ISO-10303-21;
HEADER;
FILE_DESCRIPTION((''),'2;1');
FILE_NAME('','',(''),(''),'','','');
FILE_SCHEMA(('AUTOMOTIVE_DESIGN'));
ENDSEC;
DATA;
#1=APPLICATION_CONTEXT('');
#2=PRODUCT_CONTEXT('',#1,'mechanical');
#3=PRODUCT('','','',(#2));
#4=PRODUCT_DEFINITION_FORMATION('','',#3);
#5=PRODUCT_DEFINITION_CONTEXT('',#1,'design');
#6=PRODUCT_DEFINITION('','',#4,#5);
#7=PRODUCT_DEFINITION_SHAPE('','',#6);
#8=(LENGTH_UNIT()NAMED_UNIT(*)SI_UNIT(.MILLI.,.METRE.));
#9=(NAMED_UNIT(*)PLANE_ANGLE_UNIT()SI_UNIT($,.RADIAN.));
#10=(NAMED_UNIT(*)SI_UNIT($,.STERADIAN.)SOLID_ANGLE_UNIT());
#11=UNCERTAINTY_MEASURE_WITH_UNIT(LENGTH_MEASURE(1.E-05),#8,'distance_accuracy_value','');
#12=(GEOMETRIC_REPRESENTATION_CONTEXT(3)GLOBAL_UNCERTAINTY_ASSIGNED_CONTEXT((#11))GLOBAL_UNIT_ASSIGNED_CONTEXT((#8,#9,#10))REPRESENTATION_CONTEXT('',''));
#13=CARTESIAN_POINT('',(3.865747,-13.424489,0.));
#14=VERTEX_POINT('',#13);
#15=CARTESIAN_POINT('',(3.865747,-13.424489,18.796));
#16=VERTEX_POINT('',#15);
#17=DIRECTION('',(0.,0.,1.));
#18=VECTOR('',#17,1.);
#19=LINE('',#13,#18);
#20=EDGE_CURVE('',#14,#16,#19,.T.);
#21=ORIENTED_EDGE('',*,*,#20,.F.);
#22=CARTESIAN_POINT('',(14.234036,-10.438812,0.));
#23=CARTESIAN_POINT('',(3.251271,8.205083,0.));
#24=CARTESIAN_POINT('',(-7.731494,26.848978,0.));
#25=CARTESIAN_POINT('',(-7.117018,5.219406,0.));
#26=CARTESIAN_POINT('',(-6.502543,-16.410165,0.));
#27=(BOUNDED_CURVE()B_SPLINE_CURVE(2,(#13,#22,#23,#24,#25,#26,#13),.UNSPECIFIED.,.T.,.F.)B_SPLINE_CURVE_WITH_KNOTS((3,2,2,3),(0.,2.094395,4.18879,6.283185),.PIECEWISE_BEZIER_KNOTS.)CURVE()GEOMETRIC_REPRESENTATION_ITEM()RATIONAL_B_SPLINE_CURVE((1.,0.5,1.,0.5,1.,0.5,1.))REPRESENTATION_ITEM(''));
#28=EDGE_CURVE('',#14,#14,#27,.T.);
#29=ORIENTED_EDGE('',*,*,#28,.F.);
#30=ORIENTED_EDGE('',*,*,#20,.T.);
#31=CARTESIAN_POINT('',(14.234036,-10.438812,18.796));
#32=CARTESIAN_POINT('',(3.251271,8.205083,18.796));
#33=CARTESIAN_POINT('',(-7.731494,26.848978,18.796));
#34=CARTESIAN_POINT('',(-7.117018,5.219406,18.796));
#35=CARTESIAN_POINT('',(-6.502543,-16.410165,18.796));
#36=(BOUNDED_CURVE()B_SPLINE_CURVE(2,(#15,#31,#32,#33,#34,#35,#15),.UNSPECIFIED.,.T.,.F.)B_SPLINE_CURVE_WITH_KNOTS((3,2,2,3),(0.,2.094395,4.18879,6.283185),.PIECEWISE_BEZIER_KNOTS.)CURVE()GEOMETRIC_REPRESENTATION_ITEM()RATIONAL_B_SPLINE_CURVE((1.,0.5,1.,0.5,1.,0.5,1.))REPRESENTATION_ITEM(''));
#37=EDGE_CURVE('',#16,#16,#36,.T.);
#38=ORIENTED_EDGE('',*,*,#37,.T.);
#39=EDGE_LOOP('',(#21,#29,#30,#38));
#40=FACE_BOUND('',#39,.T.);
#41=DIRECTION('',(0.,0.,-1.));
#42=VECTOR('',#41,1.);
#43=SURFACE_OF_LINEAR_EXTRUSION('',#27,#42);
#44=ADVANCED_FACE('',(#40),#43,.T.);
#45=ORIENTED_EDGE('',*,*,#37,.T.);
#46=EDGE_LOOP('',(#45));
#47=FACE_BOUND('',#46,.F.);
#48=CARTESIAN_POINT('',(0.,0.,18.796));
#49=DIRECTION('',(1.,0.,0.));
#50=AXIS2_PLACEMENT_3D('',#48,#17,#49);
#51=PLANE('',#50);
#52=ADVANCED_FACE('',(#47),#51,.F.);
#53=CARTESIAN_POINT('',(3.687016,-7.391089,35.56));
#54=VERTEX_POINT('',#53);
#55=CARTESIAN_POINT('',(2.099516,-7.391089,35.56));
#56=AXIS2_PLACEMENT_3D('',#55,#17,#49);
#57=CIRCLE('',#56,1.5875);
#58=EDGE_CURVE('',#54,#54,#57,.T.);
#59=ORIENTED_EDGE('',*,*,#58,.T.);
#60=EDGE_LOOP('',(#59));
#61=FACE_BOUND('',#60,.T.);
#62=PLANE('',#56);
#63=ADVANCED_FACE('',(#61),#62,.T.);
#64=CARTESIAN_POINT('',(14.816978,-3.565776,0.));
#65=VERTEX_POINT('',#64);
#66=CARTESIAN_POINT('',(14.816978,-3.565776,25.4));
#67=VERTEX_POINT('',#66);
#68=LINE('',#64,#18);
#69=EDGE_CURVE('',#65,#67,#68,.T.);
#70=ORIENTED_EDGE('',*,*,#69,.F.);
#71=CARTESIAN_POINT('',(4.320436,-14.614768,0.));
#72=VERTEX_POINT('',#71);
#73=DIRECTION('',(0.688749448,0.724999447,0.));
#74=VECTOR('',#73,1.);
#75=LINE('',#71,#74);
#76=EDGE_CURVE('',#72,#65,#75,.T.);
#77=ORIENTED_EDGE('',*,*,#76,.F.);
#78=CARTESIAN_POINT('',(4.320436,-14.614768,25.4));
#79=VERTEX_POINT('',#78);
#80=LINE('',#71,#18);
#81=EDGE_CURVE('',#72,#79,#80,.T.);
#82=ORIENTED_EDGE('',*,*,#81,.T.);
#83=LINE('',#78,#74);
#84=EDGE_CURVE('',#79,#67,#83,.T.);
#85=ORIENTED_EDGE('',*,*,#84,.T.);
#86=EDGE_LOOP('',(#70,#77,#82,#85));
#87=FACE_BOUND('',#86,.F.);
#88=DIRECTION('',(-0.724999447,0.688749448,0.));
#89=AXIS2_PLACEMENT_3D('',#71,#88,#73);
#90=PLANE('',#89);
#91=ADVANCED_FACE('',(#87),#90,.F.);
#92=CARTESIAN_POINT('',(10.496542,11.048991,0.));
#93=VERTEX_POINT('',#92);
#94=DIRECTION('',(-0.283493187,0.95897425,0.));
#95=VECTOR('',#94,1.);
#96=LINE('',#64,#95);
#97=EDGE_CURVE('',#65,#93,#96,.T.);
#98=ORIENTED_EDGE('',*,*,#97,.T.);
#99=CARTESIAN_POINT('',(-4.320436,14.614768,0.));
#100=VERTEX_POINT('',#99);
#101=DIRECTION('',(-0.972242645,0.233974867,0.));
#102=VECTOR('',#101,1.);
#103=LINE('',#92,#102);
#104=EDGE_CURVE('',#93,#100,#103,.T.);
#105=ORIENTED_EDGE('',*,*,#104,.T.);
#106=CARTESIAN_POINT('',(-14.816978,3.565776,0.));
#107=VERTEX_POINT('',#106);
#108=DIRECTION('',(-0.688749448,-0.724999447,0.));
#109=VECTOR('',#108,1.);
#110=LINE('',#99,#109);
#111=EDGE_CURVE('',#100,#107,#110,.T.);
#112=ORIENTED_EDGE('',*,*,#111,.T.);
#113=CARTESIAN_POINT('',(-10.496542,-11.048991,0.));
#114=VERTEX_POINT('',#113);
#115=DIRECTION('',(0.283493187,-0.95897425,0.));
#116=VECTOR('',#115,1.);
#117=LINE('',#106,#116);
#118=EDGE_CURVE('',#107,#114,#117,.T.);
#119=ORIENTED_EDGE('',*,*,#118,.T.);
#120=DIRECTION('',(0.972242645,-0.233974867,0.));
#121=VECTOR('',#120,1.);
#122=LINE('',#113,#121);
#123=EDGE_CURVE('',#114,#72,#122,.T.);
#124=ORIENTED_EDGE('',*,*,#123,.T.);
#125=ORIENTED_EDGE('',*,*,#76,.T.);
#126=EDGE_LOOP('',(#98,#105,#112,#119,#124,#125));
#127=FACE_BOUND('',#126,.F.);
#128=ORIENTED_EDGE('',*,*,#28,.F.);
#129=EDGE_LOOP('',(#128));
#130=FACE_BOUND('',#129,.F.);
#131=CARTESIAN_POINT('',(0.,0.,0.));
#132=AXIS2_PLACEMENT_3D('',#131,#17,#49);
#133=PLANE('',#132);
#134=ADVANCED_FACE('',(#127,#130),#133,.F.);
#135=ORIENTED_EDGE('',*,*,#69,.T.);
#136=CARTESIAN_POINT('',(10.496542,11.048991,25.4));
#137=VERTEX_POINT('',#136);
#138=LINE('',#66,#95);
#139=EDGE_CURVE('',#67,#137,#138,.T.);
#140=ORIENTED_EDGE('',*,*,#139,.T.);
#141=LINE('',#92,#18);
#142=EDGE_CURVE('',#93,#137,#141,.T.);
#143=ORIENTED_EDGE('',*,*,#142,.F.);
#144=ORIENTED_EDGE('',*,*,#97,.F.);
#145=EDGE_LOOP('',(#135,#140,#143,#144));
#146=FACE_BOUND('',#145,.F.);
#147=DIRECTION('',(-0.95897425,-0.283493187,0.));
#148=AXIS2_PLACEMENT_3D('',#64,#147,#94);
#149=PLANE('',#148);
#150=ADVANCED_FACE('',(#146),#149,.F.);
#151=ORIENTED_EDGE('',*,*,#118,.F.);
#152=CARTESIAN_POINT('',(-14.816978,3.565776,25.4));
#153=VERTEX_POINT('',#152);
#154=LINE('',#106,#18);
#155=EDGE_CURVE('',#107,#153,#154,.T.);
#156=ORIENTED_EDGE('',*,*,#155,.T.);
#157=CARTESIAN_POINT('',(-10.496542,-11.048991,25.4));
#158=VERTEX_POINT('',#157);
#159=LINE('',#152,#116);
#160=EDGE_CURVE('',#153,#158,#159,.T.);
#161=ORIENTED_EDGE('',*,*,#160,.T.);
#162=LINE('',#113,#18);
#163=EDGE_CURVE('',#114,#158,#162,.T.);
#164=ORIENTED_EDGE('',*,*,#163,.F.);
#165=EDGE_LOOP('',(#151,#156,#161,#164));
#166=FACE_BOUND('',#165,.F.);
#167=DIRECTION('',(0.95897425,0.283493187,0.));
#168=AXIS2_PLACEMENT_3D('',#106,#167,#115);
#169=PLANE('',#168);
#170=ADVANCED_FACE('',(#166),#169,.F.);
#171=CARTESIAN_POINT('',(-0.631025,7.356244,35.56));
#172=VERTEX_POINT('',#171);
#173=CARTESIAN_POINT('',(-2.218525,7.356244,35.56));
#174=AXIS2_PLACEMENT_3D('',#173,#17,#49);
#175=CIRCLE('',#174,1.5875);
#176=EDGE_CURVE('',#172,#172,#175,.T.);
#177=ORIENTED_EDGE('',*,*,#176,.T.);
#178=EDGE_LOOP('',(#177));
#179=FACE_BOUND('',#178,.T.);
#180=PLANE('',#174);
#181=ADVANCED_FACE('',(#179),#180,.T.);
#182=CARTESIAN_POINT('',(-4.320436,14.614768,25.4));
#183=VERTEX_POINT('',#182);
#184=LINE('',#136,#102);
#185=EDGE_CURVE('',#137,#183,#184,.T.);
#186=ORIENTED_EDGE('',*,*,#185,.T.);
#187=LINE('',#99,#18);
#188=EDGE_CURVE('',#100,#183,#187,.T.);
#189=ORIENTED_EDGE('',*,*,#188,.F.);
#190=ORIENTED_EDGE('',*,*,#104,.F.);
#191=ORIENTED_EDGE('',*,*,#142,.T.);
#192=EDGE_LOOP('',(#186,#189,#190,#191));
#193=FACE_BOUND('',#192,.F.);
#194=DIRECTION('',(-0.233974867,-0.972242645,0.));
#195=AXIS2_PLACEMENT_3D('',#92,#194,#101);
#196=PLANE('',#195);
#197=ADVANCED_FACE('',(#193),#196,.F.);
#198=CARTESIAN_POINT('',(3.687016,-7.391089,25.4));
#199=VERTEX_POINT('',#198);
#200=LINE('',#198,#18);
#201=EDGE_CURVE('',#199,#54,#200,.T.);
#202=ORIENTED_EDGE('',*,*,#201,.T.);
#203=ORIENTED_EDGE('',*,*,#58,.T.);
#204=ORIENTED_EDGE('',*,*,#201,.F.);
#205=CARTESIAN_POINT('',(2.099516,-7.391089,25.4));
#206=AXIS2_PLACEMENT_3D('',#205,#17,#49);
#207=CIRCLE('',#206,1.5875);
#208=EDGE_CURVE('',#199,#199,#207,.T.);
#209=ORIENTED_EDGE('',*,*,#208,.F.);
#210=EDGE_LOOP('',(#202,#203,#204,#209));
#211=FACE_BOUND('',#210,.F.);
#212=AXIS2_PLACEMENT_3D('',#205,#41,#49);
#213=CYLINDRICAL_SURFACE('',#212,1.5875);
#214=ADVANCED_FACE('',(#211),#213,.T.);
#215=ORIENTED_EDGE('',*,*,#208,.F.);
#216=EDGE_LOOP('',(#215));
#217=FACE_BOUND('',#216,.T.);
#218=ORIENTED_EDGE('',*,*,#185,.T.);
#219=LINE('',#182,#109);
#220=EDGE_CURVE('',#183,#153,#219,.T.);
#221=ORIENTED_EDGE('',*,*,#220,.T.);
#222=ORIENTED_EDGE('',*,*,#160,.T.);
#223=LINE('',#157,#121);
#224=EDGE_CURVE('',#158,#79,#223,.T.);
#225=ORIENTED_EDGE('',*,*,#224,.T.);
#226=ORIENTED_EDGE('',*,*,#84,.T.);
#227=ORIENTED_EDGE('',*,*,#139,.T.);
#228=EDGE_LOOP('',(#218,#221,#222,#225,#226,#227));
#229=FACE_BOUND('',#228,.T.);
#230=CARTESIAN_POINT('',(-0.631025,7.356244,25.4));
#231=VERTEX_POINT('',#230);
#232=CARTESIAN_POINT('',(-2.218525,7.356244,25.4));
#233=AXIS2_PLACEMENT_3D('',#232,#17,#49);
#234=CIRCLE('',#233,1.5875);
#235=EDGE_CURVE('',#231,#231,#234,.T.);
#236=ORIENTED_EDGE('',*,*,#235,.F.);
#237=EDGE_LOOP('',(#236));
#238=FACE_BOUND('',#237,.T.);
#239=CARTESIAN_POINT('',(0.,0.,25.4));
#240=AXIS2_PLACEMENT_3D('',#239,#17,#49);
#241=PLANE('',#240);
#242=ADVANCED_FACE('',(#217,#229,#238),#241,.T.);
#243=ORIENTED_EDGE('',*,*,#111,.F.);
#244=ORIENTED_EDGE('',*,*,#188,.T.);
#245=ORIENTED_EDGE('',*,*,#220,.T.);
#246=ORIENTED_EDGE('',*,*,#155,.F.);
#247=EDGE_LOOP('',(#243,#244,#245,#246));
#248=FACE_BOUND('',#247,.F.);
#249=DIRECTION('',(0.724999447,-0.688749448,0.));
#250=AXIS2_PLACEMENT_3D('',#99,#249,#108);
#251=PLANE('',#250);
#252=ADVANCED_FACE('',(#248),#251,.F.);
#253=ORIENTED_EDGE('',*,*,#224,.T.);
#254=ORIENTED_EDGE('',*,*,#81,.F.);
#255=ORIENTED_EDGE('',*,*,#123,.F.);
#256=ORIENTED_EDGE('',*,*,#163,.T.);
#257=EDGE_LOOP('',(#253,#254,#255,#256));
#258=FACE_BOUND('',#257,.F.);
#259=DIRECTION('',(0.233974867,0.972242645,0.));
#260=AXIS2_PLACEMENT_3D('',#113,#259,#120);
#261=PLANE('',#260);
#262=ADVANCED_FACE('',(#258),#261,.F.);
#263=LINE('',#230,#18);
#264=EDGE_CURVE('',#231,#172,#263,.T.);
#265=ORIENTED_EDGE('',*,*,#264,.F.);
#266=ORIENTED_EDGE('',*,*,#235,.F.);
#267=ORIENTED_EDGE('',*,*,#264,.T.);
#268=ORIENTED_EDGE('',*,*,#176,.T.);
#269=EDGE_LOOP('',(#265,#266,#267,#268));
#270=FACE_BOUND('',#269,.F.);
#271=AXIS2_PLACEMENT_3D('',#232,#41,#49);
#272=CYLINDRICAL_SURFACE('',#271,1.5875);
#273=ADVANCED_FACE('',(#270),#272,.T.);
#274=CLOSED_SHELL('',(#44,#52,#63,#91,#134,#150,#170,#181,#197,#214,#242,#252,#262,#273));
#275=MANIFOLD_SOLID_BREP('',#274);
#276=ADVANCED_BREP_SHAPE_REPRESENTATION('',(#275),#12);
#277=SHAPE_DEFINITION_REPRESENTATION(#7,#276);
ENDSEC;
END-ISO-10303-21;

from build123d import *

# Parameters (mm, degrees)
F2_DEPTH = 25.4
F3_DEPTH = 18.796
F4_R     = 1.5875
F6_DEPTH = 10.16
F5_R     = 1.5875
F7_DEPTH = 10.16


with BuildPart() as f2:
    # F0 (on Top) → F2 (new body)
    with BuildSketch(Plane.XY):
        Polygon((4.320436, -14.614768), (14.816978, -3.565776), (10.496542, 11.048991), (-4.320436, 14.614768), (-14.816978, 3.565776), (-10.496542, -11.048991), align=None)
    extrude(amount=F2_DEPTH)

    # F1 (on face) → F3 (cut)
    with BuildSketch(Plane.XY):
        with BuildLine():
            add(Edge.make_bspline(
                [(3.865747, -13.424489), (14.234036, -10.438812), (3.251271, 8.205083), (-7.731494, 26.848978), (-7.117018, 5.219406), (-6.502543, -16.410165), (3.865747, -13.424489)],
                knots=[0, 0, 0, 2.094395, 2.094395, 4.18879, 4.18879, 6.283185, 6.283185, 6.283185], degree=2, weights=[1, 0.5, 1, 0.5, 1, 0.5, 1]))
        make_face()
    extrude(amount=F3_DEPTH, mode=Mode.SUBTRACT)

    # F4 (on face) → F6 (join)
    with BuildSketch(Plane.XY.offset(25.4)):
        with Locations((-2.218525, 7.356244)):
            Circle(F4_R)
    extrude(amount=F6_DEPTH)

    # F5 (on face) → F7 (join)
    with BuildSketch(Plane.XY.offset(25.4)):
        with Locations((2.099516, -7.391089)):
            Circle(F5_R)
    extrude(amount=F7_DEPTH)


solid = f2.part
